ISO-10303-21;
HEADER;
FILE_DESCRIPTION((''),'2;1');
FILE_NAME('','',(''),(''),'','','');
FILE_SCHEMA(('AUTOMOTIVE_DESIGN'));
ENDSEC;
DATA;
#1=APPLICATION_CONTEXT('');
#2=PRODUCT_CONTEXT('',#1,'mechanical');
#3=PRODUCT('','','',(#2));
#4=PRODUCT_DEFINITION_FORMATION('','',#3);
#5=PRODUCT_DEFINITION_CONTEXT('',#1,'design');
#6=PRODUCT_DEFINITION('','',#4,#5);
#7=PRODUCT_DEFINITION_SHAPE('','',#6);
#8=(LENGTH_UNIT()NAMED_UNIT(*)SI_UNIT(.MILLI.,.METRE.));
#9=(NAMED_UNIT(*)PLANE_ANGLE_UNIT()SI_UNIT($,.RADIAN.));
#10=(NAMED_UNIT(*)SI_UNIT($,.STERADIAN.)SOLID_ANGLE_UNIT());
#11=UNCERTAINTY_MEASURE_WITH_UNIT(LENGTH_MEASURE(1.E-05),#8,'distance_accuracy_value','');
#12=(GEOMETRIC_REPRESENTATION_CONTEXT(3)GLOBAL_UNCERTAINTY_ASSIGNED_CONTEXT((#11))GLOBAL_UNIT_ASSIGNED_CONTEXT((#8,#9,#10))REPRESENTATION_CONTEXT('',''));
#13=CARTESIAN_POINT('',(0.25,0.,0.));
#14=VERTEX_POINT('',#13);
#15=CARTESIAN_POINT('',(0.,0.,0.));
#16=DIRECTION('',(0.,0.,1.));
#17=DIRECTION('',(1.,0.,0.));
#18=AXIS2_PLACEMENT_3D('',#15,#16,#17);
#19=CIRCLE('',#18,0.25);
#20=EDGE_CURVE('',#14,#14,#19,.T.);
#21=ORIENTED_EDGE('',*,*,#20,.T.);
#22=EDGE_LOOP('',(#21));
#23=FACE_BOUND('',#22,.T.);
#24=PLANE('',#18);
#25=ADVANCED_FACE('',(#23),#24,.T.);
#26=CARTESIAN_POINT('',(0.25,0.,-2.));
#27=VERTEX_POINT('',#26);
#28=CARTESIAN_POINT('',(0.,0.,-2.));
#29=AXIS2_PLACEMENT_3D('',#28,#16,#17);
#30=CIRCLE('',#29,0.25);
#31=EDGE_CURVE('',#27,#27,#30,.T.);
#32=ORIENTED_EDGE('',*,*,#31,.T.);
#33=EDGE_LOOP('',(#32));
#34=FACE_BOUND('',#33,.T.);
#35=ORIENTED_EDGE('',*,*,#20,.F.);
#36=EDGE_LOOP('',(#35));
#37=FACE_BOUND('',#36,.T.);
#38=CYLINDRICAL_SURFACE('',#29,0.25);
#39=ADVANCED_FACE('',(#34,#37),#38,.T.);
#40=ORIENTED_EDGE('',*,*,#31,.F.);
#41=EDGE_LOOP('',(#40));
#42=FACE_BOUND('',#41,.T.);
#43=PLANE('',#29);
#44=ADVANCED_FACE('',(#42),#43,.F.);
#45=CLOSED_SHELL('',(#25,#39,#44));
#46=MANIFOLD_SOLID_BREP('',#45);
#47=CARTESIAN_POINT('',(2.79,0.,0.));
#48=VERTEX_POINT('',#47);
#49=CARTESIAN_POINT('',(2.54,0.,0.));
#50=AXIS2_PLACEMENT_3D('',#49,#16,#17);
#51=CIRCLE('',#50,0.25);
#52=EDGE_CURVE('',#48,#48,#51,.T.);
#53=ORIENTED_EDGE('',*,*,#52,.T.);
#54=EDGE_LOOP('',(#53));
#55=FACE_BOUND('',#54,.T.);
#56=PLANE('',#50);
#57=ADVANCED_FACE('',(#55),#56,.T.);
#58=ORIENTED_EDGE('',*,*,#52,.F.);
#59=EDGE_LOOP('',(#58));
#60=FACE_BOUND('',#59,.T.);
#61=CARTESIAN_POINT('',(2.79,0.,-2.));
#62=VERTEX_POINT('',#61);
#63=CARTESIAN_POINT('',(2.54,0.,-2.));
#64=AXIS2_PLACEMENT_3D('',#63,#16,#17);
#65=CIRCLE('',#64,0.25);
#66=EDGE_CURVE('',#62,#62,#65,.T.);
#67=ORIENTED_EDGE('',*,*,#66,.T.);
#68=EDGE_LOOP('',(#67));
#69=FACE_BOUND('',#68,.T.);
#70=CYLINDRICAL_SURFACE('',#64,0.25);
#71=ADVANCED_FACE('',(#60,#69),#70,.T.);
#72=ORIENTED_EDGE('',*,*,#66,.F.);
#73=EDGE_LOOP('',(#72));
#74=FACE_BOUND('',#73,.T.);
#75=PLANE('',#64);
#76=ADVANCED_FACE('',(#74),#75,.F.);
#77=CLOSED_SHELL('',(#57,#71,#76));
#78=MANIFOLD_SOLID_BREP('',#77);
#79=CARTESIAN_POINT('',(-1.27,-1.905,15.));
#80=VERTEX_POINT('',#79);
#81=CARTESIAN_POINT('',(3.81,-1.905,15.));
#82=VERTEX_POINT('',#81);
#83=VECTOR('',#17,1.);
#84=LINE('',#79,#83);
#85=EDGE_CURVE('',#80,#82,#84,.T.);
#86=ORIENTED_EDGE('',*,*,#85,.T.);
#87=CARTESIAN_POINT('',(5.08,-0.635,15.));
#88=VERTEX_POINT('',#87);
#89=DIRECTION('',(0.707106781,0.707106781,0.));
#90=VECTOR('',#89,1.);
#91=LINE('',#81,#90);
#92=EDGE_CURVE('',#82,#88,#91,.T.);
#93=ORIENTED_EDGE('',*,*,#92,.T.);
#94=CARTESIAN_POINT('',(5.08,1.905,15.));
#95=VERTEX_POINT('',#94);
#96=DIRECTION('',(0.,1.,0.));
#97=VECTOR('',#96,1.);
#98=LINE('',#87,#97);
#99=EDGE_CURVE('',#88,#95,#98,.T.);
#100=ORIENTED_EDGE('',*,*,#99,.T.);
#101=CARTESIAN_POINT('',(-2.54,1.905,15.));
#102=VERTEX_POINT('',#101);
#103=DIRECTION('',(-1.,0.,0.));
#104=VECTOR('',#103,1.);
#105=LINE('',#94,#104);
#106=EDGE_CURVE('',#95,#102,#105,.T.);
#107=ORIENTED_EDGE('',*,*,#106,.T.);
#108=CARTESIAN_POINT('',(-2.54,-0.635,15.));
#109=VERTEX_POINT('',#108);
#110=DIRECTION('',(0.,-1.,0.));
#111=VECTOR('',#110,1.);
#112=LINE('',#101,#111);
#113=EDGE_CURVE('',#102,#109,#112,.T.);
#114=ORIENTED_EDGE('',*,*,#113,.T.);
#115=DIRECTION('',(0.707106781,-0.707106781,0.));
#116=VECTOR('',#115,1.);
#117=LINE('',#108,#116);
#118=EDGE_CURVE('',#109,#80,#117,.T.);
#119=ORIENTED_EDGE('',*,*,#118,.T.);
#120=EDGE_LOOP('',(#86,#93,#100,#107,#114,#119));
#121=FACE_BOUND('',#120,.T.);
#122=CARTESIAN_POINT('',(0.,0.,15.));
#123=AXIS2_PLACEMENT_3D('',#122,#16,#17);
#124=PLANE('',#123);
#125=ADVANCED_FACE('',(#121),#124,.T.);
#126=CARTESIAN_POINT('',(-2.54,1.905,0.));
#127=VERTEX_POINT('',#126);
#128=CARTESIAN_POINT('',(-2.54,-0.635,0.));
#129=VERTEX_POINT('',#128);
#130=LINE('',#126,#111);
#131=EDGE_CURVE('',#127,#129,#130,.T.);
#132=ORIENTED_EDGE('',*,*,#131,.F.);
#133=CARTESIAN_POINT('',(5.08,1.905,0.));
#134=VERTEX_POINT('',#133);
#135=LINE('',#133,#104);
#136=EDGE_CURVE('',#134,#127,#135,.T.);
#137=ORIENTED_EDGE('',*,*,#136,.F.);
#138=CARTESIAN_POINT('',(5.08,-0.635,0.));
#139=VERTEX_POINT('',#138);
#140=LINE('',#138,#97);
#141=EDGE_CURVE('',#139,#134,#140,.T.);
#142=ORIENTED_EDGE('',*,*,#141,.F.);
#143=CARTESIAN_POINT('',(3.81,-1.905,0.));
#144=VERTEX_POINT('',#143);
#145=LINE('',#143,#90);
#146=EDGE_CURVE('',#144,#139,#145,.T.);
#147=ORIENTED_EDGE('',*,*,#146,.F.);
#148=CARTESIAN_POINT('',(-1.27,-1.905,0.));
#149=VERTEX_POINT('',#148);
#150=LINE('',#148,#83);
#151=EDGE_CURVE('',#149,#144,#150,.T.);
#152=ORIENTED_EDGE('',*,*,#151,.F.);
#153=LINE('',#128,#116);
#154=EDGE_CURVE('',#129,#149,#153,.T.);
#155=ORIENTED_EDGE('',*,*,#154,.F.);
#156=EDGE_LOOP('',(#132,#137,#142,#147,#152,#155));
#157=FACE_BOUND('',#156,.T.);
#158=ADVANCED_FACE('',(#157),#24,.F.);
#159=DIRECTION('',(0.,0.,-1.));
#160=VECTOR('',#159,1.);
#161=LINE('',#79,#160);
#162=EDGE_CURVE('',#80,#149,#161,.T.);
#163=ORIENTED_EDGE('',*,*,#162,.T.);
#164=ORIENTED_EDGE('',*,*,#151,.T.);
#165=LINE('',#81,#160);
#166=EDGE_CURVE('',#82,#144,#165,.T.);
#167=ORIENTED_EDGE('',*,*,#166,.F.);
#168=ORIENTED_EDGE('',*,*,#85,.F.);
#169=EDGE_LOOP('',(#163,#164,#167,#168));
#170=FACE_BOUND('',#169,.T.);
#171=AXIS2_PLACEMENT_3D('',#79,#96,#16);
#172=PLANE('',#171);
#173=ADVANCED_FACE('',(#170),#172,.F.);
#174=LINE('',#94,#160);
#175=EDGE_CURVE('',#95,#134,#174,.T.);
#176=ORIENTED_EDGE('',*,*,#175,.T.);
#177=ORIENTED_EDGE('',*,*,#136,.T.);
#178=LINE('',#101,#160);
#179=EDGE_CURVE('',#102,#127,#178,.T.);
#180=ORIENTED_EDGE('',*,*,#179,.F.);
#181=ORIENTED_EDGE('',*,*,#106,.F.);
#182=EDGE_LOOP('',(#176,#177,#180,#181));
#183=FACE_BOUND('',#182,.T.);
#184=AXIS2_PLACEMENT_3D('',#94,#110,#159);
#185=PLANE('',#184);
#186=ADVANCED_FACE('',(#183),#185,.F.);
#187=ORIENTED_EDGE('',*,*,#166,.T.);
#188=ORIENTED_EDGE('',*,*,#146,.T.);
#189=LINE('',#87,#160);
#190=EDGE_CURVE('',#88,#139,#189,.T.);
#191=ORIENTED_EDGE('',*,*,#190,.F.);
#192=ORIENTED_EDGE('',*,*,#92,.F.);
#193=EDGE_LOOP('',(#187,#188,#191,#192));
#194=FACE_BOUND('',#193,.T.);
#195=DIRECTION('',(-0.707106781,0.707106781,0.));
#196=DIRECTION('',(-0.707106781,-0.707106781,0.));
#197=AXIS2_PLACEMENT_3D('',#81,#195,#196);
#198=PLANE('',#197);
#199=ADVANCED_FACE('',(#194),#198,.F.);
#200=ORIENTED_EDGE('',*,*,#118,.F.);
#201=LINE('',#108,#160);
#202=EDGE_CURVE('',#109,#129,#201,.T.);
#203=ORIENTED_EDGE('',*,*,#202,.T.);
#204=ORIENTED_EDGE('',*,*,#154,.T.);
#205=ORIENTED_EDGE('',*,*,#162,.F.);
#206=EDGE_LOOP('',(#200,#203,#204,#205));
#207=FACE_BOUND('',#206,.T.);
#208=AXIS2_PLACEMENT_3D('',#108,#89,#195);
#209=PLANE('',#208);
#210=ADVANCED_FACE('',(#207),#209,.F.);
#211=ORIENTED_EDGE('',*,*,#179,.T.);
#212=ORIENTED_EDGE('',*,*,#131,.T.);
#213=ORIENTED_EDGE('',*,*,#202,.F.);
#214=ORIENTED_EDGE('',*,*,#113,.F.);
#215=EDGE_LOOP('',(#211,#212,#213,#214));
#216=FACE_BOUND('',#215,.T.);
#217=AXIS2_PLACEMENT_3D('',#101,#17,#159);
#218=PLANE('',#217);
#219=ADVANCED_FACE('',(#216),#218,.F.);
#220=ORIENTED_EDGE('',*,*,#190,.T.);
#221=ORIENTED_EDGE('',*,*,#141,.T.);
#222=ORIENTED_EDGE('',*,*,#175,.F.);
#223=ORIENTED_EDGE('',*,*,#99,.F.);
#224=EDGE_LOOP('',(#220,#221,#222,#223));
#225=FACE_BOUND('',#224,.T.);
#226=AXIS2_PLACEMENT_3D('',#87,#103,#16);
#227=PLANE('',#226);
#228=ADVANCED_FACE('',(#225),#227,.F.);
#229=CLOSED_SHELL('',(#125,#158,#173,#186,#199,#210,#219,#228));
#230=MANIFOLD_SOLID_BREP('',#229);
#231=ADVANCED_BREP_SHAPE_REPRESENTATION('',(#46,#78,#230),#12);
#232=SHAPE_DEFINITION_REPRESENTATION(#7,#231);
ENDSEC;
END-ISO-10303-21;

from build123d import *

# Parameters (mm, degrees)
COMPONENT_OUTLINE_DEPTH = 15
SKETCH2_R               = 0.25
EXTRUDE_1_DEPTH         = 2
SKETCH3_R               = 0.25
EXTRUDE_2_DEPTH         = 2


with BuildPart() as part:
    # Sketch1 → Component_Outline (new body)
    with BuildSketch(Plane.XY):
        Polygon((-2.54, 1.905), (-2.54, -0.635), (-1.27, -1.905), (3.81, -1.905), (5.08, -0.635), (5.08, 1.905), align=None)
    extrude(amount=COMPONENT_OUTLINE_DEPTH)


with BuildPart() as body_2:
    # Sketch2 → Extrude 1 (new body)
    with BuildSketch(Plane.XY):
        Circle(SKETCH2_R)
    extrude(amount=-EXTRUDE_1_DEPTH)


with BuildPart() as body_3:
    # Sketch3 → Extrude 2 (new body)
    with BuildSketch(Plane.XY):
        with Locations((2.54, 0)):
            Circle(SKETCH3_R)
    extrude(amount=-EXTRUDE_2_DEPTH)


solid = Compound([part.part, body_2.part, body_3.part])
